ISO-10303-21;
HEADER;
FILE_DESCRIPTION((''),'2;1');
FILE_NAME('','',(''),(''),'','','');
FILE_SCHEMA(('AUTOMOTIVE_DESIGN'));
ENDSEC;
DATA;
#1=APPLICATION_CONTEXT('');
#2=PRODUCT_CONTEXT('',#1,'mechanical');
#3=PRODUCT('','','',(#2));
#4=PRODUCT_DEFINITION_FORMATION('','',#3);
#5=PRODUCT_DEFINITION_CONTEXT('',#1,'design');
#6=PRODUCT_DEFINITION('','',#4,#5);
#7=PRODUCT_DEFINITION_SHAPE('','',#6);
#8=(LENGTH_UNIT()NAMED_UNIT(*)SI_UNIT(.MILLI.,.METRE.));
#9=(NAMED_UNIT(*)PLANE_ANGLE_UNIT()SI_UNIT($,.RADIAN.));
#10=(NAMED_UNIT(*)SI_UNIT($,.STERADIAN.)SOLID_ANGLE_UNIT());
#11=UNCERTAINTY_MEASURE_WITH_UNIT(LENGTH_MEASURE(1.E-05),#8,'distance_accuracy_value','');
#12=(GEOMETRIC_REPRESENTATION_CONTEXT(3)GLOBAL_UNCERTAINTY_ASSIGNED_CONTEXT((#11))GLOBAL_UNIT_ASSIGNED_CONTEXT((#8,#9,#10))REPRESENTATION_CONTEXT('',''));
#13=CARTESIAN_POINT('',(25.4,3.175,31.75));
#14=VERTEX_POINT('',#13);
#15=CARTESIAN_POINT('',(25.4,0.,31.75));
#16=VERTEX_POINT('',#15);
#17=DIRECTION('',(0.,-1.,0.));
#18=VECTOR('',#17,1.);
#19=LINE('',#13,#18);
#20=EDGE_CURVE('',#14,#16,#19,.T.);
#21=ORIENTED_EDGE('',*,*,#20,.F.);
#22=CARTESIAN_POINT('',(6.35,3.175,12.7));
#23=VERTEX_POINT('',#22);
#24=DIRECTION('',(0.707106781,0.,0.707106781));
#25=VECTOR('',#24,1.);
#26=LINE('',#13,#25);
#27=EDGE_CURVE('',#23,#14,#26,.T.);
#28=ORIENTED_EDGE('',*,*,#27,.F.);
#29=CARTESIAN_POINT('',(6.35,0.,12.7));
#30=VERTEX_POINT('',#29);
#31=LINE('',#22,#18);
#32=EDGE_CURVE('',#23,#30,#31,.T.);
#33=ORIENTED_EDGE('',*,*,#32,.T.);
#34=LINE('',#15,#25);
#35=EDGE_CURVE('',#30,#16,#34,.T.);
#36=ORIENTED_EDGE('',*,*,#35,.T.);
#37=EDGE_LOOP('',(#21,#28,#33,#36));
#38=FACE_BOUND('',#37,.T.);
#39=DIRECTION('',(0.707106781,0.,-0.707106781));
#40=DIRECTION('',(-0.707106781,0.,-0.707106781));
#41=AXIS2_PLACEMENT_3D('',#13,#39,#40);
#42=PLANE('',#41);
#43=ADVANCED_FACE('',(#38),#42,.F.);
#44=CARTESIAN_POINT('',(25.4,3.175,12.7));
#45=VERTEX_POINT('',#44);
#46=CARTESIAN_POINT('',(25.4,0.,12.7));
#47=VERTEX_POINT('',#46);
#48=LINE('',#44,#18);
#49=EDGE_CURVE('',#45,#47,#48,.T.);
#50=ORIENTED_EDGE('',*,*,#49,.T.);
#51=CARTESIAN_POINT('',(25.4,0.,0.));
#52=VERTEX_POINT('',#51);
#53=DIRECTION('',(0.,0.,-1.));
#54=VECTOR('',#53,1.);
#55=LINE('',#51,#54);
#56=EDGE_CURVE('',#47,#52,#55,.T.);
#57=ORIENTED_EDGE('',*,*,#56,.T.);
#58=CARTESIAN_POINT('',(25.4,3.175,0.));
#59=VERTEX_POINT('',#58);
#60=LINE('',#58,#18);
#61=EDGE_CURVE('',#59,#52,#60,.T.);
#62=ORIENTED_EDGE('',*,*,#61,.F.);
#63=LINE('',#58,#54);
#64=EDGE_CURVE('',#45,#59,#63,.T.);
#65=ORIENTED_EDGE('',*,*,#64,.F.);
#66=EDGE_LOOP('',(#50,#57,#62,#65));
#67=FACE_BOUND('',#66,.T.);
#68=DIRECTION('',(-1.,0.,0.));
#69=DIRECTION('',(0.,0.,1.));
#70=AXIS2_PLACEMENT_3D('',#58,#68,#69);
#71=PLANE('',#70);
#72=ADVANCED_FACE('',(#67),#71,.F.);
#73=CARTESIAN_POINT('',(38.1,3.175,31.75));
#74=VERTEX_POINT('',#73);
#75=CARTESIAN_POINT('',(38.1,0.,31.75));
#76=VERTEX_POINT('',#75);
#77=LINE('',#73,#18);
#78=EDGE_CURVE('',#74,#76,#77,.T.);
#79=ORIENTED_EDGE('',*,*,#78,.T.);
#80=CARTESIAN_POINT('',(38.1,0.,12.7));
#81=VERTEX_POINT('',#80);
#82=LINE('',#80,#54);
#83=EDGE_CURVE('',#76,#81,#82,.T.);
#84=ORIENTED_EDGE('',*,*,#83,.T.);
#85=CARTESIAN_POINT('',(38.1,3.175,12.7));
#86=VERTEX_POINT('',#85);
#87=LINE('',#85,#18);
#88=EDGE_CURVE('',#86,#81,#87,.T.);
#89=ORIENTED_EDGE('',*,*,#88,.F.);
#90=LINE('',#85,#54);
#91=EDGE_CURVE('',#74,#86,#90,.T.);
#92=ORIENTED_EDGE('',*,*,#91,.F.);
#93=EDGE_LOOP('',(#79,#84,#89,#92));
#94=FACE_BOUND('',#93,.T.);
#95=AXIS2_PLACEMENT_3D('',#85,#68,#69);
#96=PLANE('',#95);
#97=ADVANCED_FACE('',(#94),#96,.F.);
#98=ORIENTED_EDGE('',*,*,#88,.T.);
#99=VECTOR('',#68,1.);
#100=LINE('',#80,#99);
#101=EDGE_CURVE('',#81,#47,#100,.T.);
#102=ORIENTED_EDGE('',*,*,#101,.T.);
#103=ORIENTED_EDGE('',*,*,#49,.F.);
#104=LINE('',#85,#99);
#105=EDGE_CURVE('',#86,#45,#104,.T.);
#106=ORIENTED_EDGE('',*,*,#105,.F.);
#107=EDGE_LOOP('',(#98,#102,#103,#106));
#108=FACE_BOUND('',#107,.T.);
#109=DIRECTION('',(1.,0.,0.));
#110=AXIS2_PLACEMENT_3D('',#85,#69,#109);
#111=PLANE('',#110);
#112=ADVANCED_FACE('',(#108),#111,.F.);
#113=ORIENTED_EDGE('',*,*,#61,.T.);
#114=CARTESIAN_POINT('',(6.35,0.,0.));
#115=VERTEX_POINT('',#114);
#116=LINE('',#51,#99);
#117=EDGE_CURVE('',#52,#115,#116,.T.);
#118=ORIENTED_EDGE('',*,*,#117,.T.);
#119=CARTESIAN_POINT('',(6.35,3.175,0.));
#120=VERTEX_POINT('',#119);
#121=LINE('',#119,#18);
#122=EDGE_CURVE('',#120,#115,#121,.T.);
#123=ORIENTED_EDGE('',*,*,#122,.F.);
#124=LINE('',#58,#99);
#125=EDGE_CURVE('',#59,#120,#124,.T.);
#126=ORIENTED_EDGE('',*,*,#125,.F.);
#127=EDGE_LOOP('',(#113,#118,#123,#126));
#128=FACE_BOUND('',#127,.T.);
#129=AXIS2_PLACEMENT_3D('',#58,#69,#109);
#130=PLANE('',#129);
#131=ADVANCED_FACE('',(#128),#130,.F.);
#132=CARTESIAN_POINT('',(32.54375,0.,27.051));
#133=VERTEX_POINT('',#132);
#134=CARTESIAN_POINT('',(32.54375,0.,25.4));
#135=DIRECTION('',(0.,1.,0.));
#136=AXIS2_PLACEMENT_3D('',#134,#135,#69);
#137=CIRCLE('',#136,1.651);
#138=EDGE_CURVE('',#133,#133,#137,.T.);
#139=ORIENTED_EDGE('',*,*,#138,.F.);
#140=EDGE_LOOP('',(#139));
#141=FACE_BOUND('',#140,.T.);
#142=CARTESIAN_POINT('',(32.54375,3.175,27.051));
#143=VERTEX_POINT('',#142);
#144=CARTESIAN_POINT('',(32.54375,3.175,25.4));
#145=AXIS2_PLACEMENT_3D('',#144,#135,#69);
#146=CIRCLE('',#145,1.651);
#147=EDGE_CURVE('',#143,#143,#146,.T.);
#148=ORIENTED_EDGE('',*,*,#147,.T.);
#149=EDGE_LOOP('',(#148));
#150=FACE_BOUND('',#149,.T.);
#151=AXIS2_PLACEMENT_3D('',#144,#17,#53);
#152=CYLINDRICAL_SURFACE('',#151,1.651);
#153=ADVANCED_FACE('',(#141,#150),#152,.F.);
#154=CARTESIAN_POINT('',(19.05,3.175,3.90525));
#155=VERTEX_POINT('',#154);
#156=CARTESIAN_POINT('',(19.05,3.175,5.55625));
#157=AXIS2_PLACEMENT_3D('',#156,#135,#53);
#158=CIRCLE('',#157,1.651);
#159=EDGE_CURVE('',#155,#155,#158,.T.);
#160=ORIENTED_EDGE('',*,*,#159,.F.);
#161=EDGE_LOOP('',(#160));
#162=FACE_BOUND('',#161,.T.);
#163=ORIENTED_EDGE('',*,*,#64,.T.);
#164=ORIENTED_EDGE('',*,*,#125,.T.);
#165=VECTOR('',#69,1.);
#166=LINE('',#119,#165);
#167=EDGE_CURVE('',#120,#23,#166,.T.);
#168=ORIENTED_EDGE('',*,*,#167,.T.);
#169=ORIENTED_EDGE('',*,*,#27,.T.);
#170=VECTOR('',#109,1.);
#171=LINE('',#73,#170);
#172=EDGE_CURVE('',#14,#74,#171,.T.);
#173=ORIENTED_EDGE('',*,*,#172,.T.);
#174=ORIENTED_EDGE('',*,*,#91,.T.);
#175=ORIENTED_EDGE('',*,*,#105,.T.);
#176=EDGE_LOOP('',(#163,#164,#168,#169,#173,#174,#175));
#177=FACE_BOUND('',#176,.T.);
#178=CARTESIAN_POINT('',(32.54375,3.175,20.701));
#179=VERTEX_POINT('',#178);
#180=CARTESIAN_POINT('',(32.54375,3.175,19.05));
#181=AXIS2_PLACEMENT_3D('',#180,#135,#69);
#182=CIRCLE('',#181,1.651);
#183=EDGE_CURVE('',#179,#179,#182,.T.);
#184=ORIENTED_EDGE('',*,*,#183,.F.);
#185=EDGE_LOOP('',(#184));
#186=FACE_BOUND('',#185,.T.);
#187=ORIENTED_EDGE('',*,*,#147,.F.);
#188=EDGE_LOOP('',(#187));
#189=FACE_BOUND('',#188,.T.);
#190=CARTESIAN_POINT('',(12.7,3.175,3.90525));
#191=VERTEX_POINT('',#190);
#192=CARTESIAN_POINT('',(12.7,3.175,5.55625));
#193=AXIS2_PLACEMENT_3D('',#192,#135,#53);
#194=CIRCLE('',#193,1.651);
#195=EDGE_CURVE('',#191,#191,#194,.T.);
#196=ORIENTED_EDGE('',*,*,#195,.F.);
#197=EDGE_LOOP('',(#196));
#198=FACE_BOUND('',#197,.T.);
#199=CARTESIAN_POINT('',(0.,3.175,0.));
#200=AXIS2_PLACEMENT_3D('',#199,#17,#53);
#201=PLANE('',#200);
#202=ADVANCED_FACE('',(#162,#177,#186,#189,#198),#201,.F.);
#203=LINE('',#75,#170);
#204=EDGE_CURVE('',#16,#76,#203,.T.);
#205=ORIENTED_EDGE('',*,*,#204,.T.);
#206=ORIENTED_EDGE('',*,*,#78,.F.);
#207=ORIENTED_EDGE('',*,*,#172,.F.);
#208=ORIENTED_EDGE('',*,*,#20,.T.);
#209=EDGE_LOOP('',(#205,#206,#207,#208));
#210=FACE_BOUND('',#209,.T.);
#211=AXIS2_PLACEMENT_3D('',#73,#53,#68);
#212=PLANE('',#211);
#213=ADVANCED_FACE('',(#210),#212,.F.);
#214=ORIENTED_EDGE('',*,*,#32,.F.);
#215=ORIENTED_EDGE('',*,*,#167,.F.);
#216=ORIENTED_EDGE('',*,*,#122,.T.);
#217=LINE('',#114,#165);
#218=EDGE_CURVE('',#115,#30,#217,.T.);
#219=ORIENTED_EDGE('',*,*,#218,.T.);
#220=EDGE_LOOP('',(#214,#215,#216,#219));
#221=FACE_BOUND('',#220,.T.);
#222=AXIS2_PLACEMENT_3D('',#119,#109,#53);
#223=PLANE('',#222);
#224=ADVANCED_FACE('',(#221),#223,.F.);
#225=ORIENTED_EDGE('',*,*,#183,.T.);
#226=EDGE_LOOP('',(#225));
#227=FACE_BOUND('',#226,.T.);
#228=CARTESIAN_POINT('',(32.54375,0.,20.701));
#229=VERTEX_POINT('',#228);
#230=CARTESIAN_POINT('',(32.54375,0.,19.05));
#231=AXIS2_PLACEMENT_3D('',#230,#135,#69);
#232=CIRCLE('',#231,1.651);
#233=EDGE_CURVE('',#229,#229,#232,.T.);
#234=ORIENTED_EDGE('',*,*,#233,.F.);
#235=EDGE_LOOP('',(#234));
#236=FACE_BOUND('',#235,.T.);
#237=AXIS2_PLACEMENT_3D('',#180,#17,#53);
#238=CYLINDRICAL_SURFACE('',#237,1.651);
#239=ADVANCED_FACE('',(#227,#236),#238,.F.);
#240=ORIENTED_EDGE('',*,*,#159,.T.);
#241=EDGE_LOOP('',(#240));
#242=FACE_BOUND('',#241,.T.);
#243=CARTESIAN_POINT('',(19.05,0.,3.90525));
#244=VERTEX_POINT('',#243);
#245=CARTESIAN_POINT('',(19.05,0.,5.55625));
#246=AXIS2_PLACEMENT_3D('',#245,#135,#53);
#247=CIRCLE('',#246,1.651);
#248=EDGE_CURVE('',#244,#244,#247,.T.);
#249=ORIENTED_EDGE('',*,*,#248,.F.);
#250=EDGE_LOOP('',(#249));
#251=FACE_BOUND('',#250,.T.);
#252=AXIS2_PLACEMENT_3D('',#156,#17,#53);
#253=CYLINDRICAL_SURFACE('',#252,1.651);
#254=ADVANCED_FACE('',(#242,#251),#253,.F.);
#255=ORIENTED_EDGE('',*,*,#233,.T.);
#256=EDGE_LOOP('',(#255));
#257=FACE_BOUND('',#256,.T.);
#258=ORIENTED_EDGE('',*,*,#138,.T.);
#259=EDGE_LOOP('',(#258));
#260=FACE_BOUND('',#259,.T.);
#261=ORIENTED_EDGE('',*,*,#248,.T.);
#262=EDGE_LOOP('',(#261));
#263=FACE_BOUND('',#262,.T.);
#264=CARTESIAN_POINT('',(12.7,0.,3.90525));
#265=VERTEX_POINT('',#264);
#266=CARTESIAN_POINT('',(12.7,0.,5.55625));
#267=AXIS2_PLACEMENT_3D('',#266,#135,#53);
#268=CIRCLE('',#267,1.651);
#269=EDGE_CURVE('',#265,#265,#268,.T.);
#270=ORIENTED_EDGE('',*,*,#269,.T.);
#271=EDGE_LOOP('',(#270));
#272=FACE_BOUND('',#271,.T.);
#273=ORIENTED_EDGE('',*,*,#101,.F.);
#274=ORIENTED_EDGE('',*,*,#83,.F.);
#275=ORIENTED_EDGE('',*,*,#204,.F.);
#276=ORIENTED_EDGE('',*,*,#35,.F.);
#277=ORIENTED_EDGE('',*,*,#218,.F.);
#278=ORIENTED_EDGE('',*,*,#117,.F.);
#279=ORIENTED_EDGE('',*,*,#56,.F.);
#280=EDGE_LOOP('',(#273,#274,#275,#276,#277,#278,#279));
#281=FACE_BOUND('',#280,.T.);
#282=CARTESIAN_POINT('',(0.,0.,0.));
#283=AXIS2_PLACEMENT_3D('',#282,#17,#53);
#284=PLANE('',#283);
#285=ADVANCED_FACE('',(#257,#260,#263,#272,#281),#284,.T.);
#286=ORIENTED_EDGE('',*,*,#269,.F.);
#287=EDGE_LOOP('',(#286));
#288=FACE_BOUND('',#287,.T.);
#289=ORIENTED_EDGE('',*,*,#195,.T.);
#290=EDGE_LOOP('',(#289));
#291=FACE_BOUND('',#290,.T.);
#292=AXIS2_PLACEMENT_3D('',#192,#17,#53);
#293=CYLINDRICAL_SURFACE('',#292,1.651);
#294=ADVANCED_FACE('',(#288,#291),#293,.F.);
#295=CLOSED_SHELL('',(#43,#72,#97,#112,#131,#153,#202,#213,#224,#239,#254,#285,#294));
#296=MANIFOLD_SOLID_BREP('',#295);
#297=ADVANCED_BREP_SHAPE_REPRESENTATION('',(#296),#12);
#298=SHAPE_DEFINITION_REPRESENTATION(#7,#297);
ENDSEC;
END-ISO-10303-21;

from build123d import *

# Parameters (mm, degrees)
SKETCH1_R           = 1.651
BOSS_EXTRUDE1_DEPTH = 3.175


with BuildPart() as part:
    # Sketch1 → Boss-Extrude1 (new body)
    with BuildSketch(Plane(origin=(0, 0, 0), x_dir=(1, 0, 0), z_dir=(0, 1, 0))):
        Polygon((38.1, -12.7), (25.4, -12.7), (25.4, 0), (6.35, 0), (6.35, -12.7), (25.4, -31.75), (38.1, -31.75), align=None)
        with Locations((32.54375, -19.05)):
            Circle(SKETCH1_R, mode=Mode.SUBTRACT)
        with Locations((32.54375, -25.4)):
            Circle(SKETCH1_R, mode=Mode.SUBTRACT)
        with Locations((12.7, -5.55625)):
            Circle(SKETCH1_R, mode=Mode.SUBTRACT)
        with Locations((19.05, -5.55625)):
            Circle(SKETCH1_R, mode=Mode.SUBTRACT)
    extrude(amount=BOSS_EXTRUDE1_DEPTH)


solid = part.part
